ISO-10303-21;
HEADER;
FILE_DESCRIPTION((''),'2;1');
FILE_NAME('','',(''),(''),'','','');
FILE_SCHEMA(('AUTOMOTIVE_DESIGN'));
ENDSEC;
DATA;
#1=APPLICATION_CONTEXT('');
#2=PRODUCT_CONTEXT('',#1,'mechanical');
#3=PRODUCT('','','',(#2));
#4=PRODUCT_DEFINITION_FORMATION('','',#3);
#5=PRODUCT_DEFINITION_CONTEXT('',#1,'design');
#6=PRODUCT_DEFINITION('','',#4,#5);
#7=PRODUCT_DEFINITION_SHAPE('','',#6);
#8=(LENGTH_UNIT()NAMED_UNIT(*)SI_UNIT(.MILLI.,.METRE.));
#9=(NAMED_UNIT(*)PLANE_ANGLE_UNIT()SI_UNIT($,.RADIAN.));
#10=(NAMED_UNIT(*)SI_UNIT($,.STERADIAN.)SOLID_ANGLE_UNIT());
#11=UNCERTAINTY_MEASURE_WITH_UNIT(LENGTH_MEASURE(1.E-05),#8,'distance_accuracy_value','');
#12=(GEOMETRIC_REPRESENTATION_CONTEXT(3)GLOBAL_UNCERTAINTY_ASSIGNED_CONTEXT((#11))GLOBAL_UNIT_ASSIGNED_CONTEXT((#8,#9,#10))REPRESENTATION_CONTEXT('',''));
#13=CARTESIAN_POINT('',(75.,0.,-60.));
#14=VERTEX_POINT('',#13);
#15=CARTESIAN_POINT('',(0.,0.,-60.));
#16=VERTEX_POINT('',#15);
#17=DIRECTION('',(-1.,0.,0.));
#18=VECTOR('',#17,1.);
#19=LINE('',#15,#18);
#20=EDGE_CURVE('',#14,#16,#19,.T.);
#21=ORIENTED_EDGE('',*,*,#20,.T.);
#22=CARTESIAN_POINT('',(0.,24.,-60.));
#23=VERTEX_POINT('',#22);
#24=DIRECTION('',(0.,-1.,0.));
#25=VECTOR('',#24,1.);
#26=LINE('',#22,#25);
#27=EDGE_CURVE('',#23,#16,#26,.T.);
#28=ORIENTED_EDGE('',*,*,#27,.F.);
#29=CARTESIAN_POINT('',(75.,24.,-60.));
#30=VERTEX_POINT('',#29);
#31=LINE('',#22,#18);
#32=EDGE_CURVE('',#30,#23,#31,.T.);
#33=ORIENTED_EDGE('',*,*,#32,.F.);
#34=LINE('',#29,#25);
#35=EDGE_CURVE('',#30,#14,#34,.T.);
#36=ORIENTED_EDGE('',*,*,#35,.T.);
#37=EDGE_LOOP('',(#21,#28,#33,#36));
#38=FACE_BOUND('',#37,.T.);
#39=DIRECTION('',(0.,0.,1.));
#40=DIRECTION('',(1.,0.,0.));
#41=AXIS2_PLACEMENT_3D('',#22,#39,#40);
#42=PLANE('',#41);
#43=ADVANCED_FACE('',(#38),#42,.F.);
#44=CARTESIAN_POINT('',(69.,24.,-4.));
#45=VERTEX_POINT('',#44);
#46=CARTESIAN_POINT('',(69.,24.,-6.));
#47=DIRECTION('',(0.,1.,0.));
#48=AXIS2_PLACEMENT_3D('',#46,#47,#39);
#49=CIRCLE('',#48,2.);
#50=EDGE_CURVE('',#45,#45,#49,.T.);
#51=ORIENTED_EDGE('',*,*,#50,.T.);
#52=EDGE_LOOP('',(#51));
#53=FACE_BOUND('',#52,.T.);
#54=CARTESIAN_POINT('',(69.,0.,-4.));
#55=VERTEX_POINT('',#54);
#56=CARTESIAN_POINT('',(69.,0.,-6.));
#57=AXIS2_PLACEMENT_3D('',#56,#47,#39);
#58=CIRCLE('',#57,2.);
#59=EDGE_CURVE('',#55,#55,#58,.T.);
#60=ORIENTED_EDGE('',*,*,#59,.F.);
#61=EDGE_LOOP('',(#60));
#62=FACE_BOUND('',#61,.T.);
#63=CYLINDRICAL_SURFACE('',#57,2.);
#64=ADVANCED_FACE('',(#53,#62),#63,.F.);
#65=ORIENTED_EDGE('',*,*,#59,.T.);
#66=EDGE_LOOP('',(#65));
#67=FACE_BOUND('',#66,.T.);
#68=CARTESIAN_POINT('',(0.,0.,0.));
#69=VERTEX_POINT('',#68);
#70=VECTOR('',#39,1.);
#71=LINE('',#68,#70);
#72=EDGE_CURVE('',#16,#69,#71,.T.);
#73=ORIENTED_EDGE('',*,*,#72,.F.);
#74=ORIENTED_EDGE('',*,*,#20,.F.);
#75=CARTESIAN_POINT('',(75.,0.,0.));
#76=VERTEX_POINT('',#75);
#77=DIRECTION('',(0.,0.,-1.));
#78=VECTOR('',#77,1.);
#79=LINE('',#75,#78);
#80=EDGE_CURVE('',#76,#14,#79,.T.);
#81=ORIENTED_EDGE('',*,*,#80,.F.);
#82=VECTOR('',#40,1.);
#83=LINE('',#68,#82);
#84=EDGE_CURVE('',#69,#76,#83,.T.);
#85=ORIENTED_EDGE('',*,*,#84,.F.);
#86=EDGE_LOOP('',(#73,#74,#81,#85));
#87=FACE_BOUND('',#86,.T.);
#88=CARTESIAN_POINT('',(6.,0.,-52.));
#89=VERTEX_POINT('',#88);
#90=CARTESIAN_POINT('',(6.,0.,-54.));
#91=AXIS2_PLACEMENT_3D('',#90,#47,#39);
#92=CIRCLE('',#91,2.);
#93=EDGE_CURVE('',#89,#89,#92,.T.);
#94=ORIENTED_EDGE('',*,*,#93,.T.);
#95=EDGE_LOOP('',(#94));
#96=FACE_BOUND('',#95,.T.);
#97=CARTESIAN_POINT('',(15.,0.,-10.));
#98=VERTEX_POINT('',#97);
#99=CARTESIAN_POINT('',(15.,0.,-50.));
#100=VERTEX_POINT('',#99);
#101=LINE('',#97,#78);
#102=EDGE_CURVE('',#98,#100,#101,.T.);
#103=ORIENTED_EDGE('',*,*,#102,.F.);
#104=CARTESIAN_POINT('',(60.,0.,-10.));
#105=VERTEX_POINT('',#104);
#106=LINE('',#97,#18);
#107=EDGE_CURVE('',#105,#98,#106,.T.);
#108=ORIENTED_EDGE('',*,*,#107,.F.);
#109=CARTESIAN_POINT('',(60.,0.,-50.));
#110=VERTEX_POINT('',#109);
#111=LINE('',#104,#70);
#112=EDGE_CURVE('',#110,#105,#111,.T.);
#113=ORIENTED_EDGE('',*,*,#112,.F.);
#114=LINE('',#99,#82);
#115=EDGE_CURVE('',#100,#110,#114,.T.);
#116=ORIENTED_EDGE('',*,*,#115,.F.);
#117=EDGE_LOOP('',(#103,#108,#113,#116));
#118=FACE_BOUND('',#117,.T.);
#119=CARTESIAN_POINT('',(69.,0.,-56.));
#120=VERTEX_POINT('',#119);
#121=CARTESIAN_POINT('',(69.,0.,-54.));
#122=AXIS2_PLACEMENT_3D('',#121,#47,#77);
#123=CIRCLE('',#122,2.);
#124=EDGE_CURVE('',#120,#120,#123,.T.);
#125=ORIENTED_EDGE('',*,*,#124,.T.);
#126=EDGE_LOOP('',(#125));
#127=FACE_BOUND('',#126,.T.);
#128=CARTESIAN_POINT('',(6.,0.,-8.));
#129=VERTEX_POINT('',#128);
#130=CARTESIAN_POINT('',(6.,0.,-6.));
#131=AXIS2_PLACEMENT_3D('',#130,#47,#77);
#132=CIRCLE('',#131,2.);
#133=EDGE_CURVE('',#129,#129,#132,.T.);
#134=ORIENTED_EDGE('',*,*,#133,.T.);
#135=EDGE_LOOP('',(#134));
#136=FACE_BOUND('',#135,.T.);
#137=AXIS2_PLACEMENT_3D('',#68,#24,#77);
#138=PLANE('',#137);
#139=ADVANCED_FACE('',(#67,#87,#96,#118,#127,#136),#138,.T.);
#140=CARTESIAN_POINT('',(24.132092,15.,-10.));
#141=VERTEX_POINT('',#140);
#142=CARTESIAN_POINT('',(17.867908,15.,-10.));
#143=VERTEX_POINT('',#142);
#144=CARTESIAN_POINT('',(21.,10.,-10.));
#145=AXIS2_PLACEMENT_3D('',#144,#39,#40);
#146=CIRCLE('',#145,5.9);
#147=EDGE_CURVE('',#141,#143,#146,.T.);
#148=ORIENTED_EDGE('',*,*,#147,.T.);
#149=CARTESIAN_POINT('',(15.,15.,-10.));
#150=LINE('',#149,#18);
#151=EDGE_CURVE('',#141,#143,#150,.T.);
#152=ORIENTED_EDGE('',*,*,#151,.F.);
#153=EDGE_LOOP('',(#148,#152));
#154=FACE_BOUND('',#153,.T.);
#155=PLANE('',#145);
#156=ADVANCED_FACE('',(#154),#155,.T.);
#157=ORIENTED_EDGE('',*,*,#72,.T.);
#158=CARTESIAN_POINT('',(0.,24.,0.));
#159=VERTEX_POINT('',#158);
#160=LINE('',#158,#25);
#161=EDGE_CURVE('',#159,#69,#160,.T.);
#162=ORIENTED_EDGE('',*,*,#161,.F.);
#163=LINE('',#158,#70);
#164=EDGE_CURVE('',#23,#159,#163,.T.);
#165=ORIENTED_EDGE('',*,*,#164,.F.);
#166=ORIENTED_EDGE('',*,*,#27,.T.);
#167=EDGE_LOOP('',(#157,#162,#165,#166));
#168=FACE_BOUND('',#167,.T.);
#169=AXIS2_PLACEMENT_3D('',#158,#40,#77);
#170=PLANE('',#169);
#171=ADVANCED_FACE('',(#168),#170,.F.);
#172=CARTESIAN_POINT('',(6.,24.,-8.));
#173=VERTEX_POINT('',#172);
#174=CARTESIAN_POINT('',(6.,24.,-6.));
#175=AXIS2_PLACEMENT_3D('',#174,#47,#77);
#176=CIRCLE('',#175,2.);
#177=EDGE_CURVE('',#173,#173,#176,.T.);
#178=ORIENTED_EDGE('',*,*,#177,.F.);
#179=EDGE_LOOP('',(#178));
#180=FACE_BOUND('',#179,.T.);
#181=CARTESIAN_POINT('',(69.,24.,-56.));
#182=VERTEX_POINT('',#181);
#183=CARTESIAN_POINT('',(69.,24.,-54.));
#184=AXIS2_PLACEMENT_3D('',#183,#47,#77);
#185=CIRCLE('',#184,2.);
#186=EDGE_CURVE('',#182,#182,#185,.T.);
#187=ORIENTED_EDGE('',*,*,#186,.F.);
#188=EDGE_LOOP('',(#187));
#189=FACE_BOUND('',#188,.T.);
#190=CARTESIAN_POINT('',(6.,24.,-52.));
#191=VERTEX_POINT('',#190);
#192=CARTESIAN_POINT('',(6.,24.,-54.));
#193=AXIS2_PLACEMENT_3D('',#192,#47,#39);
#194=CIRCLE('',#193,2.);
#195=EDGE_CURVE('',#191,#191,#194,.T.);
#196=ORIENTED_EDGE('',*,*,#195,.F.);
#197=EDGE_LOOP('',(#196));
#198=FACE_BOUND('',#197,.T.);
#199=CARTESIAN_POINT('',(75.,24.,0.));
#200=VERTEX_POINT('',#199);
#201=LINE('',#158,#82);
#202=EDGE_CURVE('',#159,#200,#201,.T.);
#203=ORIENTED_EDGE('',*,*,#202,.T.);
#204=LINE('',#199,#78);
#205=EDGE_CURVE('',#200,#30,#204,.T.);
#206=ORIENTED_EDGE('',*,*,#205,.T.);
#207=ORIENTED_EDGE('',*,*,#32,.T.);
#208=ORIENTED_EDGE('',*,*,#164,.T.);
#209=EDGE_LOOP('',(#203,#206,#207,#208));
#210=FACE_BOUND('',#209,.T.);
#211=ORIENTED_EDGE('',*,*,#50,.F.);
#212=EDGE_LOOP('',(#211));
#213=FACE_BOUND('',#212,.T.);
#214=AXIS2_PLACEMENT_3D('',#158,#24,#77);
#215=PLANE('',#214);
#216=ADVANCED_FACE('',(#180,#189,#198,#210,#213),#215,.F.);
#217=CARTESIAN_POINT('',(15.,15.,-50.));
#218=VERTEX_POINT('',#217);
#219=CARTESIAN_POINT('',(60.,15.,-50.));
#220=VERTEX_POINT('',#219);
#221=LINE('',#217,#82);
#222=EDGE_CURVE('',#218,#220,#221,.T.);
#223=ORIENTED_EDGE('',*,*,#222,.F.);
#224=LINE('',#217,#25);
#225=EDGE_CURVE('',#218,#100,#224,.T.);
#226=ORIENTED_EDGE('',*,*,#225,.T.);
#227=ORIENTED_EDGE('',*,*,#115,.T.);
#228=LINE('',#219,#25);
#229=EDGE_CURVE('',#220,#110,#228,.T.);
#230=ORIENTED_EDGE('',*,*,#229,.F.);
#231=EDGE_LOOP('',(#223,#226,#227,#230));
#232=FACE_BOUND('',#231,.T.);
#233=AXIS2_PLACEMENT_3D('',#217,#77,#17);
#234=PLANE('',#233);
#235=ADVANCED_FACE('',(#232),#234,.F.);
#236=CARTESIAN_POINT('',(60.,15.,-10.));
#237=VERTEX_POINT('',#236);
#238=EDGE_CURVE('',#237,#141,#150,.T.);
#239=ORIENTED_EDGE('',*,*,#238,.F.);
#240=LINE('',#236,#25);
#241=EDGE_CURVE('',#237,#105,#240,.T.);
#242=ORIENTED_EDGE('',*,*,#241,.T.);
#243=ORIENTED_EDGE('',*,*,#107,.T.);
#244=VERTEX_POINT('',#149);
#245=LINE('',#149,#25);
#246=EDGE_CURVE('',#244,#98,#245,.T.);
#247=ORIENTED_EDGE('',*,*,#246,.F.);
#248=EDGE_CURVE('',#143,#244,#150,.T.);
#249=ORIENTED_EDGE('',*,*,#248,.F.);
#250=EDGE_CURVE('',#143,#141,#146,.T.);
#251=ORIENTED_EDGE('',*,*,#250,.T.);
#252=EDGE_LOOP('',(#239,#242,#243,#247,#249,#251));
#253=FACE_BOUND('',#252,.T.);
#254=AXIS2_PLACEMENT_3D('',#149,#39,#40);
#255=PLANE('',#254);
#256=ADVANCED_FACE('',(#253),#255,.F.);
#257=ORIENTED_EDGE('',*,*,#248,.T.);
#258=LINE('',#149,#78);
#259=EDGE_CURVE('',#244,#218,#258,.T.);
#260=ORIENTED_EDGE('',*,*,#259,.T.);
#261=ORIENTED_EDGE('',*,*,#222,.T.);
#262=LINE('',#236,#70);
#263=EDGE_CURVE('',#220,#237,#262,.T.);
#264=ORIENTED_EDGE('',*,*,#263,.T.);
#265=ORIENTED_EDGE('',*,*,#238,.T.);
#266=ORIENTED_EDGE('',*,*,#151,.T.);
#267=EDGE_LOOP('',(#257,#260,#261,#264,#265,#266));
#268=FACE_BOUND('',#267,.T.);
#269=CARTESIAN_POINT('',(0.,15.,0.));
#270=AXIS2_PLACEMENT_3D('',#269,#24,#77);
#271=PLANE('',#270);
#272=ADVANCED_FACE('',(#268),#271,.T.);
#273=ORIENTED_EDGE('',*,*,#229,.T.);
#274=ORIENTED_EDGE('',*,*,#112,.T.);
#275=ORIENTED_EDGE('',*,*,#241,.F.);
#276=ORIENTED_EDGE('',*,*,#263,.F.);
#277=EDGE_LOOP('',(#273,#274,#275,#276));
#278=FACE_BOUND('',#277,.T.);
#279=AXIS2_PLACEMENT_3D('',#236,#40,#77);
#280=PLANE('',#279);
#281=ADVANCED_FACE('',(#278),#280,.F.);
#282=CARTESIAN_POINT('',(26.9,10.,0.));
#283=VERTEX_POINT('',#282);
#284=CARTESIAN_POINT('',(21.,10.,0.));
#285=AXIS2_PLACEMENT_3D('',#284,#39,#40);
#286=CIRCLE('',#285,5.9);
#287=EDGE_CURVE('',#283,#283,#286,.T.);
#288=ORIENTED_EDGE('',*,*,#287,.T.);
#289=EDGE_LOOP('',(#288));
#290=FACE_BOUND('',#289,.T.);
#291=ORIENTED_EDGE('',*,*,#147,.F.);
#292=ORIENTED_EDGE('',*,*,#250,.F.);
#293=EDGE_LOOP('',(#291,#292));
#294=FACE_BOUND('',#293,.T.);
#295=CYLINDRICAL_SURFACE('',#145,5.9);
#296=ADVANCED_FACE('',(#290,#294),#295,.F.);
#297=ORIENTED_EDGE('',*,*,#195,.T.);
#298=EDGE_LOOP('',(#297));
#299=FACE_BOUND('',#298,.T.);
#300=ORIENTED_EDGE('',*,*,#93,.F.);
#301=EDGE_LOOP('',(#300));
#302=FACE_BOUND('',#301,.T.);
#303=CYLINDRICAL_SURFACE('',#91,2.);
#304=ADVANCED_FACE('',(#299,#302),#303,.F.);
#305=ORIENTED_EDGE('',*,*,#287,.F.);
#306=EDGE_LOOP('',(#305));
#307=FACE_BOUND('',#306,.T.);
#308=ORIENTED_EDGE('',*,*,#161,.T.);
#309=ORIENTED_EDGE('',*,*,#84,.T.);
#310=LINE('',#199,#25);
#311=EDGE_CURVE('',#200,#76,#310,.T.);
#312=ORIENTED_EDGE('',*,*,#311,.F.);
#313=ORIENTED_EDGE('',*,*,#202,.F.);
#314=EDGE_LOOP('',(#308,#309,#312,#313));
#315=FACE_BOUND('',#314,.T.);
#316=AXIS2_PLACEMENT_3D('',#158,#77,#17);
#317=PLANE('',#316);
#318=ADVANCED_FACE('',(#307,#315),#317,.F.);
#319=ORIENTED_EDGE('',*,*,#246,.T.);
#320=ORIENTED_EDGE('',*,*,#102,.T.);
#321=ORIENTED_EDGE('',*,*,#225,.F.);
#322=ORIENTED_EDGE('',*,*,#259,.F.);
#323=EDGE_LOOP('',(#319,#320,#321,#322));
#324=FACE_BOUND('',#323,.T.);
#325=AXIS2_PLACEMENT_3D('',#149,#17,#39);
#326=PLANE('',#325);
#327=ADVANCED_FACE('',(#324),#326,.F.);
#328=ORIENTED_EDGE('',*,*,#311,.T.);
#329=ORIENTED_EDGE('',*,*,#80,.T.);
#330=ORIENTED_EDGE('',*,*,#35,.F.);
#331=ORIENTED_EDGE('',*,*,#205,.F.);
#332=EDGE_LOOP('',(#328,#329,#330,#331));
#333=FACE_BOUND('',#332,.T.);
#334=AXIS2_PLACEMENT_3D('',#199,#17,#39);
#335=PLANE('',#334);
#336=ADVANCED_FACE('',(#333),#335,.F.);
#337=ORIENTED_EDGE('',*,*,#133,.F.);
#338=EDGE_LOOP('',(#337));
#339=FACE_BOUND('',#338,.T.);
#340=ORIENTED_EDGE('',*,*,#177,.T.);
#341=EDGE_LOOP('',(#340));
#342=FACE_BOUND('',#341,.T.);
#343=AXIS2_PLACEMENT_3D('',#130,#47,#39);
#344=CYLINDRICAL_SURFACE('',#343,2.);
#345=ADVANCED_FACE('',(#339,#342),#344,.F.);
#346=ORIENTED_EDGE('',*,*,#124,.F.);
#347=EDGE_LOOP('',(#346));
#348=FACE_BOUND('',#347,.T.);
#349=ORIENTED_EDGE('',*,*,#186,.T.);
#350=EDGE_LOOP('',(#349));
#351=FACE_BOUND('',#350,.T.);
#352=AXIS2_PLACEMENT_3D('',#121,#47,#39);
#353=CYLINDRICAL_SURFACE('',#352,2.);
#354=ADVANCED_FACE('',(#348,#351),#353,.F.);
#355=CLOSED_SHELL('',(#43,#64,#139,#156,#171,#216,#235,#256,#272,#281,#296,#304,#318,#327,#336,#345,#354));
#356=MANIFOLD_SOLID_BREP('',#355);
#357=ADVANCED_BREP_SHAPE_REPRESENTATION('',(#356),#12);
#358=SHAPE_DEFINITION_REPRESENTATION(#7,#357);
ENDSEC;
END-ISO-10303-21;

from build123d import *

# Parameters (mm, degrees)
SKETCH1_W           = 75
SKETCH1_H           = 60
BOSS_EXTRUDE1_DEPTH = 24
SKETCH2_R           = 2
CUT_EXTRUDE1_DEPTH  = 25
SKETCH3_W           = 45
SKETCH3_H           = 40
CUT_EXTRUDE2_DEPTH  = 15
SKETCH4_R           = 5
CUT_EXTRUDE3_DEPTH  = 11
SKETCH5_R           = 5.9
CUT_EXTRUDE4_DEPTH  = 10


with BuildPart() as part:
    # Sketch1 → Boss-Extrude1 (new body)
    with BuildSketch(Plane(origin=(0, 0, 0), x_dir=(1, 0, 0), z_dir=(0, 1, 0))):
        with Locations((37.5, 30)):
            Rectangle(SKETCH1_W, SKETCH1_H)
    extrude(amount=BOSS_EXTRUDE1_DEPTH)

    # Sketch2 → Cut-Extrude1 (cut, through all)
    with BuildSketch(Plane(origin=(0, 24, 0), x_dir=(1, 0, 0), z_dir=(0, 1, 0))):
        with Locations((6, 54)):
            Circle(SKETCH2_R)
        with Locations((6, 6)):
            Circle(SKETCH2_R)
        with Locations((69, 54)):
            Circle(SKETCH2_R)
        with Locations((69, 6)):
            Circle(SKETCH2_R)
    extrude(amount=-CUT_EXTRUDE1_DEPTH, mode=Mode.SUBTRACT)

    # Sketch3 → Cut-Extrude2 (cut)
    with BuildSketch(Plane.XZ):
        with Locations((37.5, -30)):
            Rectangle(SKETCH3_W, SKETCH3_H)
    extrude(amount=-CUT_EXTRUDE2_DEPTH, mode=Mode.SUBTRACT)

    # Sketch4 → Cut-Extrude3 (cut, through all)
    with BuildSketch(Plane(origin=(0, 0, -10), x_dir=(-1, 0, 0), z_dir=(0, 0, -1))):
        with Locations((-21, 10)):
            Circle(SKETCH4_R)
    extrude(amount=-CUT_EXTRUDE3_DEPTH, mode=Mode.SUBTRACT)

    # Sketch5 → Cut-Extrude4 (cut)
    with BuildSketch(Plane.XY):
        with Locations((21, 10)):
            Circle(SKETCH5_R)
    extrude(amount=-CUT_EXTRUDE4_DEPTH, mode=Mode.SUBTRACT)


solid = part.part
